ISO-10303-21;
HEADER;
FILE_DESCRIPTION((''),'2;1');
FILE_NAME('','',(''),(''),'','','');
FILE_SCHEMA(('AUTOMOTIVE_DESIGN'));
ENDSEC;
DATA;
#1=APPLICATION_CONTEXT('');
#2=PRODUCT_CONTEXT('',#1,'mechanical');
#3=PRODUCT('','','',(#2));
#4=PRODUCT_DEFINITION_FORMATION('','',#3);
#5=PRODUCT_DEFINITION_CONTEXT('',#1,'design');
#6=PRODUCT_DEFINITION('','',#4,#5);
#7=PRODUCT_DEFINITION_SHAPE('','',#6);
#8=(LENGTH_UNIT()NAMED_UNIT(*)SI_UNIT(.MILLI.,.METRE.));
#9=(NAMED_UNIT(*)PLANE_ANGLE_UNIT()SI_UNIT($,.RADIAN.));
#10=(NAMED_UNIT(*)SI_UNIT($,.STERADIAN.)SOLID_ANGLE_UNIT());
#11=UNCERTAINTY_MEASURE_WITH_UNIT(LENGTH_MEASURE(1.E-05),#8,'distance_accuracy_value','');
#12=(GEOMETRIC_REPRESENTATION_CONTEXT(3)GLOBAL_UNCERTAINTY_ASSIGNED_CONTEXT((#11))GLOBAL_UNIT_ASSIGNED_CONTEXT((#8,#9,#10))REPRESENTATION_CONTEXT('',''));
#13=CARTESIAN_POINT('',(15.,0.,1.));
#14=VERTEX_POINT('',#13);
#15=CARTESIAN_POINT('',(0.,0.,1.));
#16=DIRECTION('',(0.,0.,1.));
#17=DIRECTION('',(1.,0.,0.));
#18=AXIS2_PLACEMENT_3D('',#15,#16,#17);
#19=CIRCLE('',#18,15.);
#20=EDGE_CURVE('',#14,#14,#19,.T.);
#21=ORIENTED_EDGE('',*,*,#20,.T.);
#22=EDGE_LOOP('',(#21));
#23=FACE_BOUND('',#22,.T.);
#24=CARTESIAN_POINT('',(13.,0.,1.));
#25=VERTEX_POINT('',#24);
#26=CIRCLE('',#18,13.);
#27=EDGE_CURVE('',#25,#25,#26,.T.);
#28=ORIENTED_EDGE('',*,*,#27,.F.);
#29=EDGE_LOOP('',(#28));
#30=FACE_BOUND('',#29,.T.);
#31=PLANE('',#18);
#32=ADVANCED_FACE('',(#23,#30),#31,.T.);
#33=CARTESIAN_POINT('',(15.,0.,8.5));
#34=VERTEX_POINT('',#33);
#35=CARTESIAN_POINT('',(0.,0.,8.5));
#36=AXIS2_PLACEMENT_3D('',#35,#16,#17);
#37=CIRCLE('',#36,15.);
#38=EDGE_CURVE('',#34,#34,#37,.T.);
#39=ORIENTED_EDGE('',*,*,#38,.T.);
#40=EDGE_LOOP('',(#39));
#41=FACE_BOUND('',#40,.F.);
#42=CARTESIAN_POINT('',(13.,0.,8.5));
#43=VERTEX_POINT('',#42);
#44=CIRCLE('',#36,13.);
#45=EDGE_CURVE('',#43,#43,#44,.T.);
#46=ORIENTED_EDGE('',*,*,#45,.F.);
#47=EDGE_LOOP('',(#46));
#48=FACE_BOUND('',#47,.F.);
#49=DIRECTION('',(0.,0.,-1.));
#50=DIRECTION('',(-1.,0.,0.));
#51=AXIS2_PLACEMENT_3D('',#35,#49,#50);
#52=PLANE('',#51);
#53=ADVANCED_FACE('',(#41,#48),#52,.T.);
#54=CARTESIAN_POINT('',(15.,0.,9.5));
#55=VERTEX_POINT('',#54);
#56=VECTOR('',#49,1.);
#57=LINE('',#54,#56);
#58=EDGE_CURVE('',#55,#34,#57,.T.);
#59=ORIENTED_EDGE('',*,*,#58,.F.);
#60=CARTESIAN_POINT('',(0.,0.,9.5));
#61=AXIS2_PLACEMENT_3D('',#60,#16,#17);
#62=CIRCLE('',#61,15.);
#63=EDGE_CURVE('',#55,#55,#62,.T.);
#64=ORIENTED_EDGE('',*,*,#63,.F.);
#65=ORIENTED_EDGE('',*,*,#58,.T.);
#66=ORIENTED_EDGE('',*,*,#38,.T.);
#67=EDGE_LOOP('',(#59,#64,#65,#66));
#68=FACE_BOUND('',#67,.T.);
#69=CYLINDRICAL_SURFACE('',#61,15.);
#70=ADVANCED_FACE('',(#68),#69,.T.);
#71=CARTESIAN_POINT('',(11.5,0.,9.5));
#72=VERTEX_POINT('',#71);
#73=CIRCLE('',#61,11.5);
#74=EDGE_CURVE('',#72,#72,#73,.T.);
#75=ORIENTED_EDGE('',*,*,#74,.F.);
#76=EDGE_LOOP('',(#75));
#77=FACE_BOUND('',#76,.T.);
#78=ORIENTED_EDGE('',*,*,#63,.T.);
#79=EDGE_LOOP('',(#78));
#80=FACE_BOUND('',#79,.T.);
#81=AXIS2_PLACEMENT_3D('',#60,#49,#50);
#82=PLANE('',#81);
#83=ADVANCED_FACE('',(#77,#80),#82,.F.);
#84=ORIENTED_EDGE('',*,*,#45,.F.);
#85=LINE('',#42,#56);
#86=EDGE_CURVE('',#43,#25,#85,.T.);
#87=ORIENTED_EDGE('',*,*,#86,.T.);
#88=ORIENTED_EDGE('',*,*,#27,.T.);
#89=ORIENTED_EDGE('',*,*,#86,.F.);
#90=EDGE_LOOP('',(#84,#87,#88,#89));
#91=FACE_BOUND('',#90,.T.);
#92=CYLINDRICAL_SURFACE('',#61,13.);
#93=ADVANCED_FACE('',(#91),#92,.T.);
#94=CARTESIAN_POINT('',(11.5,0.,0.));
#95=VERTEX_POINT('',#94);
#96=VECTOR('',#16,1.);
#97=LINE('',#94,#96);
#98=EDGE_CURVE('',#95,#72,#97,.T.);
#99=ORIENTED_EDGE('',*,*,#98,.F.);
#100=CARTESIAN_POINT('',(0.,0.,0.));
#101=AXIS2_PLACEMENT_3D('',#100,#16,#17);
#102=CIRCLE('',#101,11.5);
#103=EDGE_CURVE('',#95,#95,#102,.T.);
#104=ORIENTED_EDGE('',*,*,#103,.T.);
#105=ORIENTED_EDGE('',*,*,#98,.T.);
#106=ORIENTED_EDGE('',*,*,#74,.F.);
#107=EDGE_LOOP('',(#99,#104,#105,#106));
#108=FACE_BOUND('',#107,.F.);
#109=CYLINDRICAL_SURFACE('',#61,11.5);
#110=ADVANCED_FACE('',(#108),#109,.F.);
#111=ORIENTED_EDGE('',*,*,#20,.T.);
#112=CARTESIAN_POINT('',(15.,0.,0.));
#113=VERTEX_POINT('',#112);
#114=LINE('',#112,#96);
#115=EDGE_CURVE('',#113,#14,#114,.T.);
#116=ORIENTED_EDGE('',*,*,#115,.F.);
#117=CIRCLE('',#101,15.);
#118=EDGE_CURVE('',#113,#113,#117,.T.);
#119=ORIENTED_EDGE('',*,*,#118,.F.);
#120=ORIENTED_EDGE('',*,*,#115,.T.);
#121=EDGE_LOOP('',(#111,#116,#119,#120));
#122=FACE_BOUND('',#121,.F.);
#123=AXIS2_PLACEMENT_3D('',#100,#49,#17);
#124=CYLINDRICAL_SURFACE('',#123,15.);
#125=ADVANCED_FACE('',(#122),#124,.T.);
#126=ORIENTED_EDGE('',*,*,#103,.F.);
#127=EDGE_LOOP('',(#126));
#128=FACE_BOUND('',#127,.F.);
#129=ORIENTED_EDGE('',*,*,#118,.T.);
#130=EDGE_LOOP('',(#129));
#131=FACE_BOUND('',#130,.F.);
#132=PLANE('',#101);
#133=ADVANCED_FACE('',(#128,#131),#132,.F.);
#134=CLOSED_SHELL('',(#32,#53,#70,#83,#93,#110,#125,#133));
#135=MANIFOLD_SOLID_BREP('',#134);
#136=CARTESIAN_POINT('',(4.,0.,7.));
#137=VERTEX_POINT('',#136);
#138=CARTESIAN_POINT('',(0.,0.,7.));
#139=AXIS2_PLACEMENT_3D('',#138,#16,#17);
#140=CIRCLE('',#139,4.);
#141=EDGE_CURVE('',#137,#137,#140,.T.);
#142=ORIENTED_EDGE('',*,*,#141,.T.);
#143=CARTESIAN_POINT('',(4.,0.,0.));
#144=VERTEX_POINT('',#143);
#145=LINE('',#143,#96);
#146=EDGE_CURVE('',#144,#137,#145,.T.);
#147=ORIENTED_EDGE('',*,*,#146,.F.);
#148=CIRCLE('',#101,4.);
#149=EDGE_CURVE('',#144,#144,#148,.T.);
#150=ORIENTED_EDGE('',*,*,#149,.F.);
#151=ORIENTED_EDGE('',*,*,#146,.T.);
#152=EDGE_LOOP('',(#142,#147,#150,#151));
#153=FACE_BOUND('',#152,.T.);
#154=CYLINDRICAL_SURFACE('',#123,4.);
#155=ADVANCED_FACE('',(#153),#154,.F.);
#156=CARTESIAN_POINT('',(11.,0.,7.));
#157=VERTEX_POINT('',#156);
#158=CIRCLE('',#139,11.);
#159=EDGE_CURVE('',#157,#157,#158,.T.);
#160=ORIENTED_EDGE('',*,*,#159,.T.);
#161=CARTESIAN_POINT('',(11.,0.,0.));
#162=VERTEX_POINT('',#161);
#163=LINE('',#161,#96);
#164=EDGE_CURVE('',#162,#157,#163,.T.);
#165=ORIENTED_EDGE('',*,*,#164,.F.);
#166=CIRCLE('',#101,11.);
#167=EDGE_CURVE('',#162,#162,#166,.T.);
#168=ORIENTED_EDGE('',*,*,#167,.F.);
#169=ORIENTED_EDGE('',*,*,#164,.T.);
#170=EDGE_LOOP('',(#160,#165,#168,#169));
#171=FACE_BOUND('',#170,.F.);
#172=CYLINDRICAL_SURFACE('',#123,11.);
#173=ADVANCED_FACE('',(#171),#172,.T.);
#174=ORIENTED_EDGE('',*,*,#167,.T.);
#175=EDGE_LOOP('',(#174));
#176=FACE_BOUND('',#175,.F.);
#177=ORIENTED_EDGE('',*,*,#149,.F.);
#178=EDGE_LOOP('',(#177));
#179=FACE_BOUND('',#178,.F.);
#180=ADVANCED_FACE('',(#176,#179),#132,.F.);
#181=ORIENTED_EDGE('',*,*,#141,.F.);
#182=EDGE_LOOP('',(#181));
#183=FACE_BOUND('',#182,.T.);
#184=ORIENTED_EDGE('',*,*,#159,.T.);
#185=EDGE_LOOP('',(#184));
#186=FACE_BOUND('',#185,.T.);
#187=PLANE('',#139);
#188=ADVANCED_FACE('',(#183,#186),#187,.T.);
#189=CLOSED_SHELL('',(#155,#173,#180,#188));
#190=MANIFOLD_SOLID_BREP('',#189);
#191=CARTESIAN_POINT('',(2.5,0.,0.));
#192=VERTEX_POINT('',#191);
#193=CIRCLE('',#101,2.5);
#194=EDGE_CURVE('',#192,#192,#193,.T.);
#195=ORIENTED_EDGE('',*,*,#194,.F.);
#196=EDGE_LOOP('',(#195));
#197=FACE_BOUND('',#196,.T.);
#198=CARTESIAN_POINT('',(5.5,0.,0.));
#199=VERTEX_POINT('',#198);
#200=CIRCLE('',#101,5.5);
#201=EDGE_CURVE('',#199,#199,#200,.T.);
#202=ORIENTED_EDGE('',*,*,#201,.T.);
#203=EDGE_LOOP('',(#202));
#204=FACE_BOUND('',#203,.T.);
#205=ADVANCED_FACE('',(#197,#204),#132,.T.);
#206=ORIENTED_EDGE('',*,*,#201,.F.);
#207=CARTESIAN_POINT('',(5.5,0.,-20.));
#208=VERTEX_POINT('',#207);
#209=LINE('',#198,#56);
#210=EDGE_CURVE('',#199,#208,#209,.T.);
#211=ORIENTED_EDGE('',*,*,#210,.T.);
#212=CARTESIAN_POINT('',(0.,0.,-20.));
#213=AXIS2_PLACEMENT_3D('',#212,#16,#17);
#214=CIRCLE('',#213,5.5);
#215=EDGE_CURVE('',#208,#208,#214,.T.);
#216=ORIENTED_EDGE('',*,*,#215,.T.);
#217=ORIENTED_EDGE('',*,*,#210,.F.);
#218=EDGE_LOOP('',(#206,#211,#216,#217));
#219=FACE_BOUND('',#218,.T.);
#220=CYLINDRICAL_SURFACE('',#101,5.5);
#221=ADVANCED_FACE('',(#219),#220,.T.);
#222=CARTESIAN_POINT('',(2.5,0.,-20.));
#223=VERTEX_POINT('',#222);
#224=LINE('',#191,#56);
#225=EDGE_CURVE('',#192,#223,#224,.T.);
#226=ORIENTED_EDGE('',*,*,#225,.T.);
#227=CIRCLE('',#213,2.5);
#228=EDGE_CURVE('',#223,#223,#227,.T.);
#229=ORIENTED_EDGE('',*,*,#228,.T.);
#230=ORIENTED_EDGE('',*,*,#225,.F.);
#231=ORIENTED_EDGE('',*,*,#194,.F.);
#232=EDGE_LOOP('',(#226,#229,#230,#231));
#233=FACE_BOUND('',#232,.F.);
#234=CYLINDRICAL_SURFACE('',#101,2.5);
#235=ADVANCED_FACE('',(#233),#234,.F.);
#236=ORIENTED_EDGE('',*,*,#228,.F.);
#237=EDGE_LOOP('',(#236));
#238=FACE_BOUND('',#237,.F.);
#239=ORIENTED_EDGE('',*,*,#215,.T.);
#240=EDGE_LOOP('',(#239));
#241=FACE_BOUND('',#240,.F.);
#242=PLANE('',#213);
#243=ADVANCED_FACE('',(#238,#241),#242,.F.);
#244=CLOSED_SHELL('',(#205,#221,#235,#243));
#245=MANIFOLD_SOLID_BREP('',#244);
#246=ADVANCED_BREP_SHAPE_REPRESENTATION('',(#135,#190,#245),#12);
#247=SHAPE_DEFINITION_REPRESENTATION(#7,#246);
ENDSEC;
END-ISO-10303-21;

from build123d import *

# Parameters (mm, degrees)
F0_R     = 11
F0_R_2   = 4
F1_DEPTH = 7
F2_R     = 5.5
F2_R_2   = 2.5
F3_DEPTH = 20
F4_R     = 13
F4_R_2   = 11.5
F5_DEPTH = 4.75
F6_R     = 15
F6_R_2   = 13
F7_DEPTH = 1


with BuildPart() as f1:
    # F0 (on Top) → F1 (new body)
    with BuildSketch(Plane.XY):
        Circle(F0_R)
        Circle(F0_R_2, mode=Mode.SUBTRACT)
    extrude(amount=F1_DEPTH)


with BuildPart() as f3:
    # F2 (on Top) → F3 (new body)
    with BuildSketch(Plane.XY):
        Circle(F2_R)
        Circle(F2_R_2, mode=Mode.SUBTRACT)
    extrude(amount=-F3_DEPTH)


with BuildPart() as f5:
    # F4 (on Top) → F5 (new body)
    with BuildSketch(Plane.XY):
        Circle(F4_R)
        Circle(F4_R_2, mode=Mode.SUBTRACT)
    extrude(amount=F5_DEPTH)

    # F6 (on Top) → F7 (join)
    with BuildSketch(Plane.XY):
        Circle(F6_R)
        Circle(F6_R_2, mode=Mode.SUBTRACT)
    extrude(amount=F7_DEPTH)

    # F8: F5 across face


with BuildPart() as f5_1:
    add(f5.part)
    add(f5.part.mirror(Plane.XY.offset(4.75)))


solid = Compound([f1.part, f3.part, f5_1.part])
